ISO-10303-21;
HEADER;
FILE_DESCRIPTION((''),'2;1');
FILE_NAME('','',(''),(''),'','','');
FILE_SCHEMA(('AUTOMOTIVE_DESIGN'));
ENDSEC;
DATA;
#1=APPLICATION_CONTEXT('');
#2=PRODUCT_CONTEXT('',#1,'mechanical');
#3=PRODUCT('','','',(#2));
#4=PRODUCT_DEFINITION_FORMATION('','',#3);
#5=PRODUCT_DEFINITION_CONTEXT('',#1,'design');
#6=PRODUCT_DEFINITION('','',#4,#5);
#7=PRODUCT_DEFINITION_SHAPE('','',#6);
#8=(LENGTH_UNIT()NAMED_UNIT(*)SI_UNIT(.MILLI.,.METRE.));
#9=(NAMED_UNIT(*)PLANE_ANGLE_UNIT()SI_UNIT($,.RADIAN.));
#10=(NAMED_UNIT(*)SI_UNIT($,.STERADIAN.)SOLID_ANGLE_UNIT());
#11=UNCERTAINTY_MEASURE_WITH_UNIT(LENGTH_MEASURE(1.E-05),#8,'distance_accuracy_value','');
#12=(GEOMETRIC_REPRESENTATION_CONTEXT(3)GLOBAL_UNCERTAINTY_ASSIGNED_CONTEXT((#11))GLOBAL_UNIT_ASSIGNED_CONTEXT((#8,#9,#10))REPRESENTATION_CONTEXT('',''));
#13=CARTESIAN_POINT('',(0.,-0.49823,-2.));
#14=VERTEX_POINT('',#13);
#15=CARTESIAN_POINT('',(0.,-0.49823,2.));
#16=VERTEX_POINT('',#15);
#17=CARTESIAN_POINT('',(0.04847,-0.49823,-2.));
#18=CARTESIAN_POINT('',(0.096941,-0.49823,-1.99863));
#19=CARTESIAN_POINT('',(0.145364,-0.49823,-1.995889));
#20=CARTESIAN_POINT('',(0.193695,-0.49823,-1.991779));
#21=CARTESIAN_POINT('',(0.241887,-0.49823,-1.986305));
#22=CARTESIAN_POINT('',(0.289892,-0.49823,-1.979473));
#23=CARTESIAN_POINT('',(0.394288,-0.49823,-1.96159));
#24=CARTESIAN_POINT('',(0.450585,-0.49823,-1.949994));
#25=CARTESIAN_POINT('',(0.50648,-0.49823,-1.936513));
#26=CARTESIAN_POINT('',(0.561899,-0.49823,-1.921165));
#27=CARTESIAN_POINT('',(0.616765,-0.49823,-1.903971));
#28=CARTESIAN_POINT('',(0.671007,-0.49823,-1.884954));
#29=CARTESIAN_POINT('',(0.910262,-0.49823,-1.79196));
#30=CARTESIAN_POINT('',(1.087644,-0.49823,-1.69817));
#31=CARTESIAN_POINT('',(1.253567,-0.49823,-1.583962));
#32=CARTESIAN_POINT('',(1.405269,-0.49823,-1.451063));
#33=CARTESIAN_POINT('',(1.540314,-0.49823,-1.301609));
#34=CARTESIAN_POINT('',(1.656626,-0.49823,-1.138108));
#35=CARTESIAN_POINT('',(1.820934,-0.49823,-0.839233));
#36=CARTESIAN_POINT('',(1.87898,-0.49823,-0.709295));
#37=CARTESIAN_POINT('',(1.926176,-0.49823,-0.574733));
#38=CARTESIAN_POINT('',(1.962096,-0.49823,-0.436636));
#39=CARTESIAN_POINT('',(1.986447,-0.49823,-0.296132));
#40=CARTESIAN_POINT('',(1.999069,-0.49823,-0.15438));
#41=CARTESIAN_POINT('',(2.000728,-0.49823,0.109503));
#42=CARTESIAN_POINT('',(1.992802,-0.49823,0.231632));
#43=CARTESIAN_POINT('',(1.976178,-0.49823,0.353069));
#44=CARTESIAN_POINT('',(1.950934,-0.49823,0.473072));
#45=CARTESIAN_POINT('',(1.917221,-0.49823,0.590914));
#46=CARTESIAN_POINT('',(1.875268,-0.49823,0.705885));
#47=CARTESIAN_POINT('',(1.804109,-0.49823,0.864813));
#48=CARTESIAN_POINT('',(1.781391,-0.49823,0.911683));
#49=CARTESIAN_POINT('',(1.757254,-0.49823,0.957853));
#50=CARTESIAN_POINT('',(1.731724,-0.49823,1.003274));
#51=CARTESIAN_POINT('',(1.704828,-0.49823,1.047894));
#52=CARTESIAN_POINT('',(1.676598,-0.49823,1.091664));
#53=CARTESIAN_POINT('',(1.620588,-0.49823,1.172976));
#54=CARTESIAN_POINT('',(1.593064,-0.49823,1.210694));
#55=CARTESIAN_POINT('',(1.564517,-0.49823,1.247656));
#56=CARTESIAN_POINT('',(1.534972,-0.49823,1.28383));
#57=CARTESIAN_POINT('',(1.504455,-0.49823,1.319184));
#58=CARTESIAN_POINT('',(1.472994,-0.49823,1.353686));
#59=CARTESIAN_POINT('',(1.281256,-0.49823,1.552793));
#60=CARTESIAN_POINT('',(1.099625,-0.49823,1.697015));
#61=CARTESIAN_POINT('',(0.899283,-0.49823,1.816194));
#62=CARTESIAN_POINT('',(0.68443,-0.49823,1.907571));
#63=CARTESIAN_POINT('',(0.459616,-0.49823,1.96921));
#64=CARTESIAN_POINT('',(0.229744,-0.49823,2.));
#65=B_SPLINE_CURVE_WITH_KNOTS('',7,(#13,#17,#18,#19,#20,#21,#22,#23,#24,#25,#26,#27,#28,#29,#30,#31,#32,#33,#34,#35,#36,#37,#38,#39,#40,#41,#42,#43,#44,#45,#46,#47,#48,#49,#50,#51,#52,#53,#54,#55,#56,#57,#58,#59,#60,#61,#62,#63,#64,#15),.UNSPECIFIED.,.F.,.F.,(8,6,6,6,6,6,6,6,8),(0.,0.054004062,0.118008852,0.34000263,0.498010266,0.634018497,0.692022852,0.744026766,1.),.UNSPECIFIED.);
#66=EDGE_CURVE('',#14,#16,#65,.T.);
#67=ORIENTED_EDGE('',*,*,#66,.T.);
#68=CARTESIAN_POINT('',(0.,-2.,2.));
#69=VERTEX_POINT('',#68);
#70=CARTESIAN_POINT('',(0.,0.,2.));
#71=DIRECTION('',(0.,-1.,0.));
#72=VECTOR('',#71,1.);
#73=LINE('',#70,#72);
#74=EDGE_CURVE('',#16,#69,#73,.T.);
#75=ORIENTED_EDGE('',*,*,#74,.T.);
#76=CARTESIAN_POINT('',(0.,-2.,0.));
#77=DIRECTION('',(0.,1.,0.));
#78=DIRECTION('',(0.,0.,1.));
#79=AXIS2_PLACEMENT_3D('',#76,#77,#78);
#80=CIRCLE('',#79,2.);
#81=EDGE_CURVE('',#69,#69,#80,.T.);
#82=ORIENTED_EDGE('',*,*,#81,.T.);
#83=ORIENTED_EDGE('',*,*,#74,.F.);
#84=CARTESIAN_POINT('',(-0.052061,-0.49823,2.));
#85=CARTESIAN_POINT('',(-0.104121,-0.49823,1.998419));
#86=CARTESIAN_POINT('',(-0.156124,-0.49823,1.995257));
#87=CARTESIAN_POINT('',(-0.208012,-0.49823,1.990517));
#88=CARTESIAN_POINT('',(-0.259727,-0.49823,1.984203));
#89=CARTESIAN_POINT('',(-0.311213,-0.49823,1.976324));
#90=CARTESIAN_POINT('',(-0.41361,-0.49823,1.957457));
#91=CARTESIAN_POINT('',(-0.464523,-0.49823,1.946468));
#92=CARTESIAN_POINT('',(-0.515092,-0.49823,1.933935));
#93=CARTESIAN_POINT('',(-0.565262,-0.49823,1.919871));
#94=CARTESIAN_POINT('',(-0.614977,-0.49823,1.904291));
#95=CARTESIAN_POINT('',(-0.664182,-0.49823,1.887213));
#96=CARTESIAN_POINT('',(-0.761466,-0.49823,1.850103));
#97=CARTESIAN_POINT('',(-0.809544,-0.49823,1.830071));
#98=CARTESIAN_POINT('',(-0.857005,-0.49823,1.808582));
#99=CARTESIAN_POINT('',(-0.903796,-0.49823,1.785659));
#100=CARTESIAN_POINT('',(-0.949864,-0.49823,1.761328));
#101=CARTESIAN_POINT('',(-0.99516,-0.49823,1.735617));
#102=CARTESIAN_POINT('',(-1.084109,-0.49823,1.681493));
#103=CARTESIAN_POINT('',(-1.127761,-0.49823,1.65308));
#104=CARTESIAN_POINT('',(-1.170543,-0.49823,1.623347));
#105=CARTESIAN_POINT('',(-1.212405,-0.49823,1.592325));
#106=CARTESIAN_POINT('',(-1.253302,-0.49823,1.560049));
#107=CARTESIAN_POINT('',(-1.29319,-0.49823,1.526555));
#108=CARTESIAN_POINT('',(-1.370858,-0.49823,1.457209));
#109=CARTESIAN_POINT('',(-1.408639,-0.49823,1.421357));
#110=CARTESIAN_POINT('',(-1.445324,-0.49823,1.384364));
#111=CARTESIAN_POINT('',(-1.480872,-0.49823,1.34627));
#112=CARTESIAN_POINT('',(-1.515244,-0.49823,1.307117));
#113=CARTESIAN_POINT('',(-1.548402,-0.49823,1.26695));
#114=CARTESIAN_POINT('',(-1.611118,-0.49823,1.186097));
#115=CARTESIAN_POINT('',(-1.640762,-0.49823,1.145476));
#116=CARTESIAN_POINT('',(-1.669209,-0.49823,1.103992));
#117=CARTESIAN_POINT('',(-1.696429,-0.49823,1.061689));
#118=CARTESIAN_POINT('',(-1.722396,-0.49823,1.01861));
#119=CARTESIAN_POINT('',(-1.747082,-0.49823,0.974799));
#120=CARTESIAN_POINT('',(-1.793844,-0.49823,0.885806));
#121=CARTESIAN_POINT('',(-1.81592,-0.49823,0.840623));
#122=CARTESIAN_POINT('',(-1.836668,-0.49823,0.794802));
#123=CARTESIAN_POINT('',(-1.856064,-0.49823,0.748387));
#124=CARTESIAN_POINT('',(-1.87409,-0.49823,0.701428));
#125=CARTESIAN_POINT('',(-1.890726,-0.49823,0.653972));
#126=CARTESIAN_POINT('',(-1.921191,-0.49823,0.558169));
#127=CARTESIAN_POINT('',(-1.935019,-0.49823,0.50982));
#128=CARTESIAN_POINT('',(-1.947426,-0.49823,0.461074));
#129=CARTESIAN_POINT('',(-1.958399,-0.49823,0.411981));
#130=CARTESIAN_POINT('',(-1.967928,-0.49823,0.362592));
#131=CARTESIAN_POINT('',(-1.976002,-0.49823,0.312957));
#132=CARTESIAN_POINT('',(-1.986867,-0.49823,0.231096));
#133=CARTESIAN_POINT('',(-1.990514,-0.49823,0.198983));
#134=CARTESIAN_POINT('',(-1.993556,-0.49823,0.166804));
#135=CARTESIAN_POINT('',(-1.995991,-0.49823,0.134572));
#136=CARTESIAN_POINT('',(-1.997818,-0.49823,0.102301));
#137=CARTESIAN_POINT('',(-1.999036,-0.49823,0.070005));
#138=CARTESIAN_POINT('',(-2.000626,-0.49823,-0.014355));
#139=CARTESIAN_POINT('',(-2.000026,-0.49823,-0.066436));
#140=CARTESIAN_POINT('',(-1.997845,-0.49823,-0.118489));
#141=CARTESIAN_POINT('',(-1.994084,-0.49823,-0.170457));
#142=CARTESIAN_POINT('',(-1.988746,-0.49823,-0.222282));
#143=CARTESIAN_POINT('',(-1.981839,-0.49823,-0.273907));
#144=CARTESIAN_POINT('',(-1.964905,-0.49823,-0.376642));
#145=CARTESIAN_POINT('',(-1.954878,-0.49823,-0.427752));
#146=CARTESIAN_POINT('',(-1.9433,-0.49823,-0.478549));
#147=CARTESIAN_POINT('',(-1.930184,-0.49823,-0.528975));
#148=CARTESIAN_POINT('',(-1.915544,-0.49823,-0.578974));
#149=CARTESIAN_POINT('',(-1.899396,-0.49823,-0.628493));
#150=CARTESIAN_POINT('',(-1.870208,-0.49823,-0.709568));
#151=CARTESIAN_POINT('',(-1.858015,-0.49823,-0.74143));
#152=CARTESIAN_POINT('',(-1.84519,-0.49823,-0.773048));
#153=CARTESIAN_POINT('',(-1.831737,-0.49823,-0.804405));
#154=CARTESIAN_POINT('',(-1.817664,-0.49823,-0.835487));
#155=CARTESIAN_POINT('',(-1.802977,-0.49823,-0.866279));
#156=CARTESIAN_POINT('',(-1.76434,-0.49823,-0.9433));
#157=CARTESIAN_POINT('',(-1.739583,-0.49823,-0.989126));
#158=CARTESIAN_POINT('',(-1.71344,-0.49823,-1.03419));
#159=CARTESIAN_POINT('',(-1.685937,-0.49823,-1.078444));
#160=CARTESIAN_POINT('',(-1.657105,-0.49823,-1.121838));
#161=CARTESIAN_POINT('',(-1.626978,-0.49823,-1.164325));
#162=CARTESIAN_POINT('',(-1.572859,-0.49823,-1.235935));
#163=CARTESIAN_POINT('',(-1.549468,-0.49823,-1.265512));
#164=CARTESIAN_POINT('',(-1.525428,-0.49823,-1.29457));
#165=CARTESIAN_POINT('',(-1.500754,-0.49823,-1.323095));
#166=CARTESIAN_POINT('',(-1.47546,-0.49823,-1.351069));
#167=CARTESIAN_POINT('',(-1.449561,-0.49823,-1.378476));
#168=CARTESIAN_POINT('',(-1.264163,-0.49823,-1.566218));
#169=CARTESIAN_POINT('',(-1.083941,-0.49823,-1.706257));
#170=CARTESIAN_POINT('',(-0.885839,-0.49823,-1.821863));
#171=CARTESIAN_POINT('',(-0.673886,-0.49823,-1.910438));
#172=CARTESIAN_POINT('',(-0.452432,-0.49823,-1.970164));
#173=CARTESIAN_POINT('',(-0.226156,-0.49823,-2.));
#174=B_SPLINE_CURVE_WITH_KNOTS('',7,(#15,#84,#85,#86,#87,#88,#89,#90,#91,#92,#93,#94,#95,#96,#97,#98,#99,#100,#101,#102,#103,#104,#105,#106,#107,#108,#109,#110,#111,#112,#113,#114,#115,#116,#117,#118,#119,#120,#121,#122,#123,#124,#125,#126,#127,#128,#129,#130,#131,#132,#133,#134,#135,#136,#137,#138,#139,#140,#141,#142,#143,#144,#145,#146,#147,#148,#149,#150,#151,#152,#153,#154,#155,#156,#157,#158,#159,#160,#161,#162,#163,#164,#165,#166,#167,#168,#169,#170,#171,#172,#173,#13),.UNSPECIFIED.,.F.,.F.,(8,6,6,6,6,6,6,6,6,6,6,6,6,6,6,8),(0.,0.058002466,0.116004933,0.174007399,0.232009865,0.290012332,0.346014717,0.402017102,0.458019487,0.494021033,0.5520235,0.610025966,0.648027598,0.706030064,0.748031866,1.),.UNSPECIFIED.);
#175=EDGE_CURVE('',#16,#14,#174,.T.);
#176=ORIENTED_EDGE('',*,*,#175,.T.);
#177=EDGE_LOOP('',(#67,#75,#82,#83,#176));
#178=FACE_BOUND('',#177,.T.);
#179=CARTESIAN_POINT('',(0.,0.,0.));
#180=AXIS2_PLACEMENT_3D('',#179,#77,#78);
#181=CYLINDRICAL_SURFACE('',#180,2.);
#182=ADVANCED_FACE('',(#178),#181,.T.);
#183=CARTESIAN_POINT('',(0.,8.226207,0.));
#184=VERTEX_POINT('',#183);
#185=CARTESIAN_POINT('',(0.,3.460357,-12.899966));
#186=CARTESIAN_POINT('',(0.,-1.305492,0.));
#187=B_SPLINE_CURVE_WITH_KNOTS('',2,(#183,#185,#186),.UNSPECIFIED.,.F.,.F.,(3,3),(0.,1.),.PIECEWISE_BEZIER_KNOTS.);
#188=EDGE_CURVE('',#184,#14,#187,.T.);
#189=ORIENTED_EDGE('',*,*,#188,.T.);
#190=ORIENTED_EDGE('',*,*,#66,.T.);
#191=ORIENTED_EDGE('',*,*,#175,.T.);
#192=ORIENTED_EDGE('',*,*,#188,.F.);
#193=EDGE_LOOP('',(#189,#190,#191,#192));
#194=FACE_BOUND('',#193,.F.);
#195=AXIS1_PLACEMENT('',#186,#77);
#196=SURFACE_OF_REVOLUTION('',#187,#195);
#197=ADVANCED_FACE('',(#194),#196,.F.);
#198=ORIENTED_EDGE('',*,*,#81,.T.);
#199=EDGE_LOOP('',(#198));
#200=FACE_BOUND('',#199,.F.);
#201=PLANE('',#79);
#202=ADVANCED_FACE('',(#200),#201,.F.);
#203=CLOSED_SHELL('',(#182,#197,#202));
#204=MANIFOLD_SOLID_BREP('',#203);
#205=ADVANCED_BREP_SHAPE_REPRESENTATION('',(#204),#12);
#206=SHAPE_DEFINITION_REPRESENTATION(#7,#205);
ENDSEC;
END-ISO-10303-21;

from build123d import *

# Parameters (mm, degrees)
SKETCH9_R           = 2
BOSS_EXTRUDE1_DEPTH = 2


with BuildPart() as part:
    # Sketch5 → Revolve2 (revolve)
    with BuildSketch(Plane(origin=(0, 0, 0), x_dir=(0, 0, -1), z_dir=(1, 0, 0))):
        with BuildLine():
            Line((0, -1.305492492), (0, 8.226206899))
            add(Edge.make_bspline(
                [(0, 8.226206899), (12.899965566, 3.460357203), (0, -1.305492492)],
                knots=[0, 0, 0, 1, 1, 1], degree=2))
        make_face()
    revolve(axis=Axis((0, -1.305492492, 0), (0, 1, 0)))

    # Sketch9 → Boss-Extrude1 (add)
    with BuildSketch(Plane(origin=(0, 0, 0), x_dir=(1, 0, 0), z_dir=(0, 1, 0))):
        with Locations(Location((0, 0, 0), (0, 0, 270))):
            Circle(SKETCH9_R)
    extrude(amount=-BOSS_EXTRUDE1_DEPTH)


solid = part.part
